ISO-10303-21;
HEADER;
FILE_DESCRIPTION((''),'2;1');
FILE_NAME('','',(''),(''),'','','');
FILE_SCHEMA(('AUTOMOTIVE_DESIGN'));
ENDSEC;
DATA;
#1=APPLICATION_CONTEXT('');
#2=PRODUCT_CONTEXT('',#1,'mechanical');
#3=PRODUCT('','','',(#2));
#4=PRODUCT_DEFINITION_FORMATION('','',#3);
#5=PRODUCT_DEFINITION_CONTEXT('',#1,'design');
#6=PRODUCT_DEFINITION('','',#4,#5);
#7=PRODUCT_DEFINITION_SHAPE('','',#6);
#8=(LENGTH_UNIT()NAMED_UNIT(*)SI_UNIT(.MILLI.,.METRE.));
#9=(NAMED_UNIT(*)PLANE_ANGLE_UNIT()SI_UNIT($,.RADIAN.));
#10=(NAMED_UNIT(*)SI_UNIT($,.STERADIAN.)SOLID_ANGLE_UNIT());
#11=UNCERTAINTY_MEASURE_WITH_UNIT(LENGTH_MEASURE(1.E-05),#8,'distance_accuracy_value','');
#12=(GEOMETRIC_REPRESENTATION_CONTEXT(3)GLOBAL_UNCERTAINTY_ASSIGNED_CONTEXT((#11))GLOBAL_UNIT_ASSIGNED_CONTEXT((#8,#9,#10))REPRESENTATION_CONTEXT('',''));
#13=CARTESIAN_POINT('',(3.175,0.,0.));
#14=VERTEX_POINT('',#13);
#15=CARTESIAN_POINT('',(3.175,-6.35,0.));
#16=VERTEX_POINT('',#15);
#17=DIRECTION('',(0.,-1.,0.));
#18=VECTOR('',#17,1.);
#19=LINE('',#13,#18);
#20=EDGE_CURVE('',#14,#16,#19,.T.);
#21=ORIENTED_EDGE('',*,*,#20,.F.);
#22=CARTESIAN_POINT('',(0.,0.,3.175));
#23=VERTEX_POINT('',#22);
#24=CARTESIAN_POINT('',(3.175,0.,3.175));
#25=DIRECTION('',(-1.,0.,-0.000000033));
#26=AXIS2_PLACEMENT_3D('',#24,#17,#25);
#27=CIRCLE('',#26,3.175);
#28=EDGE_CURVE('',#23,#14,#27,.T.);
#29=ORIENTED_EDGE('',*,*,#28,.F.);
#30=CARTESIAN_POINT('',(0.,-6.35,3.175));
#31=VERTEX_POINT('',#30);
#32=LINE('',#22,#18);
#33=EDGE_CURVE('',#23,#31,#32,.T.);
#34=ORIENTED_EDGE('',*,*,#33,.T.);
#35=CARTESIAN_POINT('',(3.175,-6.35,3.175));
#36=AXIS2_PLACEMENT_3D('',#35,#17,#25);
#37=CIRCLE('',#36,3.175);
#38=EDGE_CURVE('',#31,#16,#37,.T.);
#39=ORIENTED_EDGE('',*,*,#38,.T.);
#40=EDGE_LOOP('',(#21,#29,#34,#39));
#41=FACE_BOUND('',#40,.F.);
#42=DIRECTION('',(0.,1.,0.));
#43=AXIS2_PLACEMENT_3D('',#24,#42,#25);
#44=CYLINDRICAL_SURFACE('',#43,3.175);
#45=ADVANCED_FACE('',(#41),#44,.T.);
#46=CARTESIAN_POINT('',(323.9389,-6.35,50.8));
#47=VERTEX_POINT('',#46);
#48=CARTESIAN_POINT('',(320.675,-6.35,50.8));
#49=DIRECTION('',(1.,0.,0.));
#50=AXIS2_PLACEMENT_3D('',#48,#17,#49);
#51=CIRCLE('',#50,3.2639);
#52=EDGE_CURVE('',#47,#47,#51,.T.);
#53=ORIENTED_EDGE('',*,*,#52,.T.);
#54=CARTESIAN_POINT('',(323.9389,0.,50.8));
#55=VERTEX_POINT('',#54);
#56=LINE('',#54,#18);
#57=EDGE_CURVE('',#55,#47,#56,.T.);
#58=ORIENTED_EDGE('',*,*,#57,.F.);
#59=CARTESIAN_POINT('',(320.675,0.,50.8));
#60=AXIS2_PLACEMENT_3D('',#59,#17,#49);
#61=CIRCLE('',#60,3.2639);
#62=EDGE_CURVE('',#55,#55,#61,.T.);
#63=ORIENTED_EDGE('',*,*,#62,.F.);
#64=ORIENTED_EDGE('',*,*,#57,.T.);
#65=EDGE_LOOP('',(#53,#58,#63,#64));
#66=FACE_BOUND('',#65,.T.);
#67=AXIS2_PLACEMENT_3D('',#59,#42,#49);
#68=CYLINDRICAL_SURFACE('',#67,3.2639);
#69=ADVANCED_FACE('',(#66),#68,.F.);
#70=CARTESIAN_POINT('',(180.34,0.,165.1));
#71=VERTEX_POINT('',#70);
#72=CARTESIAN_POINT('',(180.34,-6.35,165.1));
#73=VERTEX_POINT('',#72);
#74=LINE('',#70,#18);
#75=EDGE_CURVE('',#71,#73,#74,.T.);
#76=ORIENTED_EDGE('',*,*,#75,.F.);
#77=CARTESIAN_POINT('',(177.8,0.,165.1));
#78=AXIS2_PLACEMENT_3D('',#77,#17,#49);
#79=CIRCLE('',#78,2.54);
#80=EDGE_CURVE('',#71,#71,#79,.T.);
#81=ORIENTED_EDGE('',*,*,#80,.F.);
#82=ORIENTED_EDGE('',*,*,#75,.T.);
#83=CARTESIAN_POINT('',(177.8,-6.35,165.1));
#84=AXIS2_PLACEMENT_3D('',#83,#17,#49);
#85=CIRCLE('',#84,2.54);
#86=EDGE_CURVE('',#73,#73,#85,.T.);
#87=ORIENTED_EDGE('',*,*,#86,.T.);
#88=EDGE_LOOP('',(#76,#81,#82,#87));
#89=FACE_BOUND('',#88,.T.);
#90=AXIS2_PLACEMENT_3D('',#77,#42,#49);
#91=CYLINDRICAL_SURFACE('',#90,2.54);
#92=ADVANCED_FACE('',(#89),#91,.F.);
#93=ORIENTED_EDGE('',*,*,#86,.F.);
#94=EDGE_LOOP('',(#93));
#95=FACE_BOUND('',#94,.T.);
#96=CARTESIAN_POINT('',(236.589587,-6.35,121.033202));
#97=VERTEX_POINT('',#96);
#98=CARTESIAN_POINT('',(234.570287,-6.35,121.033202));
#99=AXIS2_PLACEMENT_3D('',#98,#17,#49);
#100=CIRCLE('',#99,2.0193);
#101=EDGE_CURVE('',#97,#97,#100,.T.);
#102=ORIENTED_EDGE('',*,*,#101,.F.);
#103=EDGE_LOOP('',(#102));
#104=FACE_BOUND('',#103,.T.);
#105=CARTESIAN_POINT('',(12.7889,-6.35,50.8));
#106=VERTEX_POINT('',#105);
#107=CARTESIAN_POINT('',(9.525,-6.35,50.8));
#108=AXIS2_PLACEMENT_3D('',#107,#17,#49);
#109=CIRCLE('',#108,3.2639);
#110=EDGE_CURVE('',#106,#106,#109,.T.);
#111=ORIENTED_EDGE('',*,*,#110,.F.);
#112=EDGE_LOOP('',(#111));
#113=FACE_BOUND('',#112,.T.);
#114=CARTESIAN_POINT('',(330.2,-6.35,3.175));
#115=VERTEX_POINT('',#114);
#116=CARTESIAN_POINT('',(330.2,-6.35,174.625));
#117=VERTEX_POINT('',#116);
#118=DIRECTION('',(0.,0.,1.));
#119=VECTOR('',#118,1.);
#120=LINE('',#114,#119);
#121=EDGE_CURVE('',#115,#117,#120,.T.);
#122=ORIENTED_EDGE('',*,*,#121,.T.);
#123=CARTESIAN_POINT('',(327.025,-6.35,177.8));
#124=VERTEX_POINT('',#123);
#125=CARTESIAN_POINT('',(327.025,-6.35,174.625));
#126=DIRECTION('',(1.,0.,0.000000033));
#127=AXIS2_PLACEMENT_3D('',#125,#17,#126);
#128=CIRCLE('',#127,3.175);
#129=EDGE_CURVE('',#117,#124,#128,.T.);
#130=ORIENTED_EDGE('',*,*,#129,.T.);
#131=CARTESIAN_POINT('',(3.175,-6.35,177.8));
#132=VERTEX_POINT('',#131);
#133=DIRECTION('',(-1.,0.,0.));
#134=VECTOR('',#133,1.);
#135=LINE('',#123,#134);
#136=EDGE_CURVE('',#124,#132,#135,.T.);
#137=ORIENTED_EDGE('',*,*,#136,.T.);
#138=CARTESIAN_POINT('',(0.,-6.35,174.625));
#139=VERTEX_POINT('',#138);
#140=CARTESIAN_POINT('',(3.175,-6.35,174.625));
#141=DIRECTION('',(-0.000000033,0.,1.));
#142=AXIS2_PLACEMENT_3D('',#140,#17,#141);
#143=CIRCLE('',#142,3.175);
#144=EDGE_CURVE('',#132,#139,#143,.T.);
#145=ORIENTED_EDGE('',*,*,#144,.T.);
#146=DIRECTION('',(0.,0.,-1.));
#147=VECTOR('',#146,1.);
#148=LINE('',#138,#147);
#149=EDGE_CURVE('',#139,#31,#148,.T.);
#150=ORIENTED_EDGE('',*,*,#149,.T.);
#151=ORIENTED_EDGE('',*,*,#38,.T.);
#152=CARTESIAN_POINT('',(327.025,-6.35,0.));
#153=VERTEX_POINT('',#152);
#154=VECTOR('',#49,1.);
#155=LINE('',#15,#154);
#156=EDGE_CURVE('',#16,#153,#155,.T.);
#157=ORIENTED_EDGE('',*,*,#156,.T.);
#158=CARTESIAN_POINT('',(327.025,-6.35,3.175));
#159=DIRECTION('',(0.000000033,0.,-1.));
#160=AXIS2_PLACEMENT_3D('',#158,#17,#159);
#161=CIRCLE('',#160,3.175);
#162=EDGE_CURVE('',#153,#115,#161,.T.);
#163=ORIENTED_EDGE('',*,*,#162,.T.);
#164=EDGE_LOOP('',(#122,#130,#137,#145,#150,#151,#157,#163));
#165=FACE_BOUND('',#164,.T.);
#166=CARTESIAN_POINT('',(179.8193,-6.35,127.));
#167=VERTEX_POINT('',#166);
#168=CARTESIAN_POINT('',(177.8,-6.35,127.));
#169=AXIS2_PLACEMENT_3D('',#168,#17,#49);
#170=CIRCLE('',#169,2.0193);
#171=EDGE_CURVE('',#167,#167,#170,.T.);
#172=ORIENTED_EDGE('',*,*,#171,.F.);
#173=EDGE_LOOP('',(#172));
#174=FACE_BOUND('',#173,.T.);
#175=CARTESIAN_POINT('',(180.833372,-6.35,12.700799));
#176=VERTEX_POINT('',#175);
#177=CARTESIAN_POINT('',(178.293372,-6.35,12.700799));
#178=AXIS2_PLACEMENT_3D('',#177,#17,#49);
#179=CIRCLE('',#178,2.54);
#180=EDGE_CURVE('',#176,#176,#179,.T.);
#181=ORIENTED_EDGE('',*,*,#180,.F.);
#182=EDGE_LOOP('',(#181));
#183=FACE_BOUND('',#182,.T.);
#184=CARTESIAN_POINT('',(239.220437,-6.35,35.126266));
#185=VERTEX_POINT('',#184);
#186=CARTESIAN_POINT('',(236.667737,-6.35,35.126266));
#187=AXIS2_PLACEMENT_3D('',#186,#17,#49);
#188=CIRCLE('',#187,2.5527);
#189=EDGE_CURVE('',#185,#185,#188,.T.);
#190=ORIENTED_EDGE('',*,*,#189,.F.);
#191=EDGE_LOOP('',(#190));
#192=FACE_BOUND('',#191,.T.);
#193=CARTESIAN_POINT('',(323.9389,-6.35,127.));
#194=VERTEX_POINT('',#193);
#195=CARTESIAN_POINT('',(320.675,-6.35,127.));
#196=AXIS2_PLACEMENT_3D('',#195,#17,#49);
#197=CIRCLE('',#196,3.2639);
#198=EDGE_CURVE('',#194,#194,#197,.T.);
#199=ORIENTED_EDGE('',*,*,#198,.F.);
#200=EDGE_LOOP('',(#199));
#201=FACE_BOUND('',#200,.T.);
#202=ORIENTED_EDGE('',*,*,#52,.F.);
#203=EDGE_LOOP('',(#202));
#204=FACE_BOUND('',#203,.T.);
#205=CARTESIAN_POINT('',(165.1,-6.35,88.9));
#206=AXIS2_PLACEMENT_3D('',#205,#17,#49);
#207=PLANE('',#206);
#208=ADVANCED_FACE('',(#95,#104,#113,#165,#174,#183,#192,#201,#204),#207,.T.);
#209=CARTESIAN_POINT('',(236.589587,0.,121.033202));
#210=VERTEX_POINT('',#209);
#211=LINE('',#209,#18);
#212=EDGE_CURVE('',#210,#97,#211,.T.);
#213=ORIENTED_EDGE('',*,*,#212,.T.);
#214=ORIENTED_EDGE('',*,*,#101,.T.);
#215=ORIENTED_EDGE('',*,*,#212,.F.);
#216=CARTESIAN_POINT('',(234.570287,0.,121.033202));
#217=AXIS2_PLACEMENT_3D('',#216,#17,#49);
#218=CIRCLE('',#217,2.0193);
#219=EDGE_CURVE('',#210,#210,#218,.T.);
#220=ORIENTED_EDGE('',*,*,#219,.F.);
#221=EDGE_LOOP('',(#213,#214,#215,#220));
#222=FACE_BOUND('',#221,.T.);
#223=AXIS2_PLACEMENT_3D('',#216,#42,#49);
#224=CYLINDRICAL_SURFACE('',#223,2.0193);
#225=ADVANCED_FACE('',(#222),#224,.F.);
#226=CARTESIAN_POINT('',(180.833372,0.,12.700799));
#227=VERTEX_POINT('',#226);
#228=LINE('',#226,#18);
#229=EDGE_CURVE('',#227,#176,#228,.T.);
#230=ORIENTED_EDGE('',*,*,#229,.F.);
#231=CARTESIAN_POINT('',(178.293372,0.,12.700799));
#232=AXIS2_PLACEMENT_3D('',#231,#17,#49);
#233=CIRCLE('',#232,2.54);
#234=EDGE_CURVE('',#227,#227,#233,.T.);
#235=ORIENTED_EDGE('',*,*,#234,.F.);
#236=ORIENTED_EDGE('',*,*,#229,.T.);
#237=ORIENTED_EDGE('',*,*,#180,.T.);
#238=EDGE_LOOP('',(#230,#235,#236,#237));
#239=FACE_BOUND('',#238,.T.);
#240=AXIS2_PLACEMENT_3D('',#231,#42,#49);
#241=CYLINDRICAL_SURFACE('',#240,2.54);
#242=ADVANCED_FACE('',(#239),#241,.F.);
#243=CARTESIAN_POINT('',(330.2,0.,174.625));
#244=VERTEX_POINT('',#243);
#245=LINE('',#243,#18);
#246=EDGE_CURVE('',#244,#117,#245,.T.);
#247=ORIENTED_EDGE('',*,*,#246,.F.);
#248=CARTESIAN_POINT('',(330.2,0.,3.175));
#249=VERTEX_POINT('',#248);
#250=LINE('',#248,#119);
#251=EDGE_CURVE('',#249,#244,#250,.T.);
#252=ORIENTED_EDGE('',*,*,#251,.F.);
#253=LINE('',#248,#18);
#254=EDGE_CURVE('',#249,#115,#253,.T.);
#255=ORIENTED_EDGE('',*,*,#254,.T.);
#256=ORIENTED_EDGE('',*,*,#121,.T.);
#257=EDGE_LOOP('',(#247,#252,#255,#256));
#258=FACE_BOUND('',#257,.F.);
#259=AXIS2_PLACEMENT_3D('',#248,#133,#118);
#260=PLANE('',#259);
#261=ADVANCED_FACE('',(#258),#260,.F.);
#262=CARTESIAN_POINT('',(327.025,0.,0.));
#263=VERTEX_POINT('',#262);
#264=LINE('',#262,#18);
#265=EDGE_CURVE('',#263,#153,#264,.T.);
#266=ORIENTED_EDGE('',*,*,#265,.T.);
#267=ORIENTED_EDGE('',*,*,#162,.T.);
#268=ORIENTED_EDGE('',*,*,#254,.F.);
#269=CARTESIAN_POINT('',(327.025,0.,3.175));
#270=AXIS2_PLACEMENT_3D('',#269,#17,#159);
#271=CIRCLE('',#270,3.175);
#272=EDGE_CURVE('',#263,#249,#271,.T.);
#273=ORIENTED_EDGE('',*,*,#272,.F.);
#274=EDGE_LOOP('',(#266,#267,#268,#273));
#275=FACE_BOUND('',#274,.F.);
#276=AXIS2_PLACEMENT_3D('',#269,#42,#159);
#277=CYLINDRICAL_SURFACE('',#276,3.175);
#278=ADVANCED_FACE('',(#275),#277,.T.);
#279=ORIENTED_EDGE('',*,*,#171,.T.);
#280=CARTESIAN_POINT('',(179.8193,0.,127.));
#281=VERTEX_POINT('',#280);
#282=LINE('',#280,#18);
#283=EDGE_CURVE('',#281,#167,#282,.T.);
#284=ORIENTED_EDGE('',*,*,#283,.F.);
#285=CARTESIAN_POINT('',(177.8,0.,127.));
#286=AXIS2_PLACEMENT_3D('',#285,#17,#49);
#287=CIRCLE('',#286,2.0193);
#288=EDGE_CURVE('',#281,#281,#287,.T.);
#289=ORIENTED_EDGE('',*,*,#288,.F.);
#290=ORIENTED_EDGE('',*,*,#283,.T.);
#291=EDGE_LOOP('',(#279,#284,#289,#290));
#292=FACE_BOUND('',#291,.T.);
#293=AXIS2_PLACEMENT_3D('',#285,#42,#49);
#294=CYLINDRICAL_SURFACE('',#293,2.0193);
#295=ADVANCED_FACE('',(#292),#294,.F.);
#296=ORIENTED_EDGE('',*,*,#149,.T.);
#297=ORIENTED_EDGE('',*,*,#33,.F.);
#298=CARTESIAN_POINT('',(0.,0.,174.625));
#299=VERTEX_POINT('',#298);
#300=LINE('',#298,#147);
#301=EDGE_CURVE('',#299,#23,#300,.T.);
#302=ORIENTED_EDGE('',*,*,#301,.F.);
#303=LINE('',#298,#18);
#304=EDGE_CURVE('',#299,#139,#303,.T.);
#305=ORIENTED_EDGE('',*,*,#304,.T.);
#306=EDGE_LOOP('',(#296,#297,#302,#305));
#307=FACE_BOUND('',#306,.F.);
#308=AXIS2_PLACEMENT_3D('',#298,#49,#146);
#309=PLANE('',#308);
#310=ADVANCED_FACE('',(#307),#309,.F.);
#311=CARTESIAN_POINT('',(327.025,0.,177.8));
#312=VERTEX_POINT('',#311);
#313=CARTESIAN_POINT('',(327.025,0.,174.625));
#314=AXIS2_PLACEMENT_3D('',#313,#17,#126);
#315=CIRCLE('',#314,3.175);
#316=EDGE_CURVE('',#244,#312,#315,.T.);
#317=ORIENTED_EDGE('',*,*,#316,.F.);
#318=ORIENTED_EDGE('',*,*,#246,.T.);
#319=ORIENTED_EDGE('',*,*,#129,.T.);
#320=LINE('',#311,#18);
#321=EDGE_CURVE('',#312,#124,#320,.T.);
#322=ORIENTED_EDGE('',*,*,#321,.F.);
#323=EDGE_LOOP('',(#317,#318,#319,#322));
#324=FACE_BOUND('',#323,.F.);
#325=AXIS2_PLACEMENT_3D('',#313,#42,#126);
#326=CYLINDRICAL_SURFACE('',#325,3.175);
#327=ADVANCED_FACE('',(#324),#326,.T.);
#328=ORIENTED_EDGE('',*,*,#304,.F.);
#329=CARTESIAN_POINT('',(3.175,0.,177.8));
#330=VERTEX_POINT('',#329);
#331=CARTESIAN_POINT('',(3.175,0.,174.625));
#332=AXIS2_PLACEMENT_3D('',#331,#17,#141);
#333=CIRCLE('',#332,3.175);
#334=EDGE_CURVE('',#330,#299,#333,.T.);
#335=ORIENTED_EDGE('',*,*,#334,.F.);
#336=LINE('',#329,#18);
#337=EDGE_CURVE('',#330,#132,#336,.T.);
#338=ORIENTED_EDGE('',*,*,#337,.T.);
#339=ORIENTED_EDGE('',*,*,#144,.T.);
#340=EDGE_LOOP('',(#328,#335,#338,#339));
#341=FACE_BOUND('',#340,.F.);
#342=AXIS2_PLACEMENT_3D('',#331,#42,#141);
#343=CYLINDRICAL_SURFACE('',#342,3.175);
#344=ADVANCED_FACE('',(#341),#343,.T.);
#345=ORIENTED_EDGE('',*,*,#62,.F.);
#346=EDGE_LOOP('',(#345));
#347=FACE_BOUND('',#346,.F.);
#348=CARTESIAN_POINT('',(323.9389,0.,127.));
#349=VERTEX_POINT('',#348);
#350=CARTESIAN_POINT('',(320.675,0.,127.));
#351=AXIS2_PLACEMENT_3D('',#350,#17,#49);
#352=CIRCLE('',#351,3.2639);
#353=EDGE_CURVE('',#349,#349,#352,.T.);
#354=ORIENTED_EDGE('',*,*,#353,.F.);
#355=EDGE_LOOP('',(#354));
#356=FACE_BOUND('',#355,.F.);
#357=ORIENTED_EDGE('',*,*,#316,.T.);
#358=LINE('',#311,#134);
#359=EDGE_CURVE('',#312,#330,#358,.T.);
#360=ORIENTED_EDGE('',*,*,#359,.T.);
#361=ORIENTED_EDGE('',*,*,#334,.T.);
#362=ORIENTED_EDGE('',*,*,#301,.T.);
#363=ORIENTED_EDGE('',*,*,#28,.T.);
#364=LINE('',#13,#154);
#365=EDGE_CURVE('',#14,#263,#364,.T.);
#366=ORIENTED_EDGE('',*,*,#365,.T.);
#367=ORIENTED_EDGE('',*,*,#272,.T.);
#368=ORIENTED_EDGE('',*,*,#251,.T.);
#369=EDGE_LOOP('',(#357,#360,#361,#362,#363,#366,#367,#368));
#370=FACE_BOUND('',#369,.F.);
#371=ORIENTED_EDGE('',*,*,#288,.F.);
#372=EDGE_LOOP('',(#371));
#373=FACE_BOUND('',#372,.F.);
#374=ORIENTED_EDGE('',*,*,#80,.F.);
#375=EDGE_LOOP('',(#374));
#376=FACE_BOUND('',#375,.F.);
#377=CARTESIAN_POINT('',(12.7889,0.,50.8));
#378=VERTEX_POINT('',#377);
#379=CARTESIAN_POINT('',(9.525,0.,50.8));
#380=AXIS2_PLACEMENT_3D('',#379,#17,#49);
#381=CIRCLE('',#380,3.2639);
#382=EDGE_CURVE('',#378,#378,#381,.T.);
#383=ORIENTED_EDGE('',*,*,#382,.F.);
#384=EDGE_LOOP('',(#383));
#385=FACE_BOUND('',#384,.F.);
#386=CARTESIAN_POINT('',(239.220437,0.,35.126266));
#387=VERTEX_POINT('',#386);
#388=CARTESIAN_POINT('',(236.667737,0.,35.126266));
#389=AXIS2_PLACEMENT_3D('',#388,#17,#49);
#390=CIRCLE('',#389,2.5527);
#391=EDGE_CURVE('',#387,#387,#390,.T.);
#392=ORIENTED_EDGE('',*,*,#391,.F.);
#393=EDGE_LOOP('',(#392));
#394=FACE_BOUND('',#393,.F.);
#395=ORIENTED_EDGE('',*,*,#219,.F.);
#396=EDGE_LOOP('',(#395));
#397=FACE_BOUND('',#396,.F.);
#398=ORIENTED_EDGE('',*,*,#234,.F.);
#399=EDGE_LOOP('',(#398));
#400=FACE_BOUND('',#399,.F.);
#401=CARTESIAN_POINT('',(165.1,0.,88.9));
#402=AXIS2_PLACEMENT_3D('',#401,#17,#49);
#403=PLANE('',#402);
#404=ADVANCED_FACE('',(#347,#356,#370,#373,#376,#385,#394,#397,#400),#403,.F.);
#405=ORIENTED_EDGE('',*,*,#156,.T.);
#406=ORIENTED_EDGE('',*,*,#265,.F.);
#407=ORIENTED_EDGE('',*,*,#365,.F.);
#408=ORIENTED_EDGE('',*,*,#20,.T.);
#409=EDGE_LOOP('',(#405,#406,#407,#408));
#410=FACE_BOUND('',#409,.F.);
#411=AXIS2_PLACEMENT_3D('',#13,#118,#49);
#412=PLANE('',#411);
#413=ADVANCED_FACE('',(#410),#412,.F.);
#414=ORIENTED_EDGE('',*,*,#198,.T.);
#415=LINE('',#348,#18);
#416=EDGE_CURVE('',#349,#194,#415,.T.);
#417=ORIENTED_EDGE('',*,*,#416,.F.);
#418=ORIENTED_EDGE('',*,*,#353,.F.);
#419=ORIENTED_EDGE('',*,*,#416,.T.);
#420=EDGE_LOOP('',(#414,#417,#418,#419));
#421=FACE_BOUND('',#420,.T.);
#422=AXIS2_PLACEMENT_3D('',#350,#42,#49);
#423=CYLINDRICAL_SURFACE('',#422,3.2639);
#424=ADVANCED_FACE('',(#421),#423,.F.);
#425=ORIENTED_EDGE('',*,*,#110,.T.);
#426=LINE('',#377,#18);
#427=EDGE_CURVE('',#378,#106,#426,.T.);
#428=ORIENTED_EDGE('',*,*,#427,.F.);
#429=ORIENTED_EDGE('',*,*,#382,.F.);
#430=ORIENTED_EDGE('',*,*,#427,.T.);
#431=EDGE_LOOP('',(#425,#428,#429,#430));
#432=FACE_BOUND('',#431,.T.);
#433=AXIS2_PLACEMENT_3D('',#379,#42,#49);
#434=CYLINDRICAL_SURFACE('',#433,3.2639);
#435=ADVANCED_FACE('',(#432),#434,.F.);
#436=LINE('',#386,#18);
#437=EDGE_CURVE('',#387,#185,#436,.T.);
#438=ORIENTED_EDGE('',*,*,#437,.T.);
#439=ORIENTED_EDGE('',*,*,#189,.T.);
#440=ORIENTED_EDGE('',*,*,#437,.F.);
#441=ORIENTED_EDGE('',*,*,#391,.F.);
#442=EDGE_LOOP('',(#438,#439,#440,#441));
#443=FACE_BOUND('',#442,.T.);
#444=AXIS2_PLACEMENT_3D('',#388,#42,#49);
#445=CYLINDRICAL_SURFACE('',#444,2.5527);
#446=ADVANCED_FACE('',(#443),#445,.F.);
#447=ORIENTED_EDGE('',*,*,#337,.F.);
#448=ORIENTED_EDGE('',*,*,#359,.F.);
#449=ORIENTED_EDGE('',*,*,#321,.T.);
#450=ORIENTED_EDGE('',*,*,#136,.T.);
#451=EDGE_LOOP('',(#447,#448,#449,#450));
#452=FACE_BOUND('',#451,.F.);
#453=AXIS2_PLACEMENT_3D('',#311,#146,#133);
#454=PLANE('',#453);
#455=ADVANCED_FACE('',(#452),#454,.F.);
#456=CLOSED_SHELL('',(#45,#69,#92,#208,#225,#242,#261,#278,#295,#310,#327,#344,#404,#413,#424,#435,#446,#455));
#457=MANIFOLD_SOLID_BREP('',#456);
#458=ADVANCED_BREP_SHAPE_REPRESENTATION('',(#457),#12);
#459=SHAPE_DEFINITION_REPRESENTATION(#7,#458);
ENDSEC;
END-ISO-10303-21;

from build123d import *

# Parameters (mm, degrees)
F0_R     = 3.2639
F0_R_2   = 2.54
F0_R_3   = 2.5527
F0_R_4   = 2.0193
F1_DEPTH = 6.35


with BuildPart() as f1:
    # F0 (on Front) → F1 (new body)
    with BuildSketch(Plane.XZ):
        with BuildLine():
            ThreePointArc((0, 3.175), (0.929936, 0.929936), (3.175, 0))
            Line((3.175, 0), (327.025, 0))
            ThreePointArc((327.025, 0), (329.270064, 0.929936), (330.2, 3.175))
            Line((330.2, 3.175), (330.2, 174.625))
            ThreePointArc((330.2, 174.625), (329.270064, 176.870064), (327.025, 177.8))
            Line((327.025, 177.8), (3.175, 177.8))
            ThreePointArc((3.175, 177.8), (0.929936, 176.870064), (0, 174.625))
            Line((0, 174.625), (0, 3.175))
        make_face()
        with Locations((9.525, 50.8)):
            Circle(F0_R, mode=Mode.SUBTRACT)
        with Locations((178.293372, 12.700799)):
            Circle(F0_R_2, mode=Mode.SUBTRACT)
        with Locations((236.667737, 35.126266)):
            Circle(F0_R_3, mode=Mode.SUBTRACT)
        with Locations((320.675, 50.8)):
            Circle(F0_R, mode=Mode.SUBTRACT)
        with Locations((177.8, 127)):
            Circle(F0_R_4, mode=Mode.SUBTRACT)
        with Locations((234.570287, 121.033202)):
            Circle(F0_R_4, mode=Mode.SUBTRACT)
        with Locations((320.675, 127)):
            Circle(F0_R, mode=Mode.SUBTRACT)
        with Locations((177.8, 165.1)):
            Circle(F0_R_2, mode=Mode.SUBTRACT)
    extrude(amount=F1_DEPTH)


solid = f1.part
